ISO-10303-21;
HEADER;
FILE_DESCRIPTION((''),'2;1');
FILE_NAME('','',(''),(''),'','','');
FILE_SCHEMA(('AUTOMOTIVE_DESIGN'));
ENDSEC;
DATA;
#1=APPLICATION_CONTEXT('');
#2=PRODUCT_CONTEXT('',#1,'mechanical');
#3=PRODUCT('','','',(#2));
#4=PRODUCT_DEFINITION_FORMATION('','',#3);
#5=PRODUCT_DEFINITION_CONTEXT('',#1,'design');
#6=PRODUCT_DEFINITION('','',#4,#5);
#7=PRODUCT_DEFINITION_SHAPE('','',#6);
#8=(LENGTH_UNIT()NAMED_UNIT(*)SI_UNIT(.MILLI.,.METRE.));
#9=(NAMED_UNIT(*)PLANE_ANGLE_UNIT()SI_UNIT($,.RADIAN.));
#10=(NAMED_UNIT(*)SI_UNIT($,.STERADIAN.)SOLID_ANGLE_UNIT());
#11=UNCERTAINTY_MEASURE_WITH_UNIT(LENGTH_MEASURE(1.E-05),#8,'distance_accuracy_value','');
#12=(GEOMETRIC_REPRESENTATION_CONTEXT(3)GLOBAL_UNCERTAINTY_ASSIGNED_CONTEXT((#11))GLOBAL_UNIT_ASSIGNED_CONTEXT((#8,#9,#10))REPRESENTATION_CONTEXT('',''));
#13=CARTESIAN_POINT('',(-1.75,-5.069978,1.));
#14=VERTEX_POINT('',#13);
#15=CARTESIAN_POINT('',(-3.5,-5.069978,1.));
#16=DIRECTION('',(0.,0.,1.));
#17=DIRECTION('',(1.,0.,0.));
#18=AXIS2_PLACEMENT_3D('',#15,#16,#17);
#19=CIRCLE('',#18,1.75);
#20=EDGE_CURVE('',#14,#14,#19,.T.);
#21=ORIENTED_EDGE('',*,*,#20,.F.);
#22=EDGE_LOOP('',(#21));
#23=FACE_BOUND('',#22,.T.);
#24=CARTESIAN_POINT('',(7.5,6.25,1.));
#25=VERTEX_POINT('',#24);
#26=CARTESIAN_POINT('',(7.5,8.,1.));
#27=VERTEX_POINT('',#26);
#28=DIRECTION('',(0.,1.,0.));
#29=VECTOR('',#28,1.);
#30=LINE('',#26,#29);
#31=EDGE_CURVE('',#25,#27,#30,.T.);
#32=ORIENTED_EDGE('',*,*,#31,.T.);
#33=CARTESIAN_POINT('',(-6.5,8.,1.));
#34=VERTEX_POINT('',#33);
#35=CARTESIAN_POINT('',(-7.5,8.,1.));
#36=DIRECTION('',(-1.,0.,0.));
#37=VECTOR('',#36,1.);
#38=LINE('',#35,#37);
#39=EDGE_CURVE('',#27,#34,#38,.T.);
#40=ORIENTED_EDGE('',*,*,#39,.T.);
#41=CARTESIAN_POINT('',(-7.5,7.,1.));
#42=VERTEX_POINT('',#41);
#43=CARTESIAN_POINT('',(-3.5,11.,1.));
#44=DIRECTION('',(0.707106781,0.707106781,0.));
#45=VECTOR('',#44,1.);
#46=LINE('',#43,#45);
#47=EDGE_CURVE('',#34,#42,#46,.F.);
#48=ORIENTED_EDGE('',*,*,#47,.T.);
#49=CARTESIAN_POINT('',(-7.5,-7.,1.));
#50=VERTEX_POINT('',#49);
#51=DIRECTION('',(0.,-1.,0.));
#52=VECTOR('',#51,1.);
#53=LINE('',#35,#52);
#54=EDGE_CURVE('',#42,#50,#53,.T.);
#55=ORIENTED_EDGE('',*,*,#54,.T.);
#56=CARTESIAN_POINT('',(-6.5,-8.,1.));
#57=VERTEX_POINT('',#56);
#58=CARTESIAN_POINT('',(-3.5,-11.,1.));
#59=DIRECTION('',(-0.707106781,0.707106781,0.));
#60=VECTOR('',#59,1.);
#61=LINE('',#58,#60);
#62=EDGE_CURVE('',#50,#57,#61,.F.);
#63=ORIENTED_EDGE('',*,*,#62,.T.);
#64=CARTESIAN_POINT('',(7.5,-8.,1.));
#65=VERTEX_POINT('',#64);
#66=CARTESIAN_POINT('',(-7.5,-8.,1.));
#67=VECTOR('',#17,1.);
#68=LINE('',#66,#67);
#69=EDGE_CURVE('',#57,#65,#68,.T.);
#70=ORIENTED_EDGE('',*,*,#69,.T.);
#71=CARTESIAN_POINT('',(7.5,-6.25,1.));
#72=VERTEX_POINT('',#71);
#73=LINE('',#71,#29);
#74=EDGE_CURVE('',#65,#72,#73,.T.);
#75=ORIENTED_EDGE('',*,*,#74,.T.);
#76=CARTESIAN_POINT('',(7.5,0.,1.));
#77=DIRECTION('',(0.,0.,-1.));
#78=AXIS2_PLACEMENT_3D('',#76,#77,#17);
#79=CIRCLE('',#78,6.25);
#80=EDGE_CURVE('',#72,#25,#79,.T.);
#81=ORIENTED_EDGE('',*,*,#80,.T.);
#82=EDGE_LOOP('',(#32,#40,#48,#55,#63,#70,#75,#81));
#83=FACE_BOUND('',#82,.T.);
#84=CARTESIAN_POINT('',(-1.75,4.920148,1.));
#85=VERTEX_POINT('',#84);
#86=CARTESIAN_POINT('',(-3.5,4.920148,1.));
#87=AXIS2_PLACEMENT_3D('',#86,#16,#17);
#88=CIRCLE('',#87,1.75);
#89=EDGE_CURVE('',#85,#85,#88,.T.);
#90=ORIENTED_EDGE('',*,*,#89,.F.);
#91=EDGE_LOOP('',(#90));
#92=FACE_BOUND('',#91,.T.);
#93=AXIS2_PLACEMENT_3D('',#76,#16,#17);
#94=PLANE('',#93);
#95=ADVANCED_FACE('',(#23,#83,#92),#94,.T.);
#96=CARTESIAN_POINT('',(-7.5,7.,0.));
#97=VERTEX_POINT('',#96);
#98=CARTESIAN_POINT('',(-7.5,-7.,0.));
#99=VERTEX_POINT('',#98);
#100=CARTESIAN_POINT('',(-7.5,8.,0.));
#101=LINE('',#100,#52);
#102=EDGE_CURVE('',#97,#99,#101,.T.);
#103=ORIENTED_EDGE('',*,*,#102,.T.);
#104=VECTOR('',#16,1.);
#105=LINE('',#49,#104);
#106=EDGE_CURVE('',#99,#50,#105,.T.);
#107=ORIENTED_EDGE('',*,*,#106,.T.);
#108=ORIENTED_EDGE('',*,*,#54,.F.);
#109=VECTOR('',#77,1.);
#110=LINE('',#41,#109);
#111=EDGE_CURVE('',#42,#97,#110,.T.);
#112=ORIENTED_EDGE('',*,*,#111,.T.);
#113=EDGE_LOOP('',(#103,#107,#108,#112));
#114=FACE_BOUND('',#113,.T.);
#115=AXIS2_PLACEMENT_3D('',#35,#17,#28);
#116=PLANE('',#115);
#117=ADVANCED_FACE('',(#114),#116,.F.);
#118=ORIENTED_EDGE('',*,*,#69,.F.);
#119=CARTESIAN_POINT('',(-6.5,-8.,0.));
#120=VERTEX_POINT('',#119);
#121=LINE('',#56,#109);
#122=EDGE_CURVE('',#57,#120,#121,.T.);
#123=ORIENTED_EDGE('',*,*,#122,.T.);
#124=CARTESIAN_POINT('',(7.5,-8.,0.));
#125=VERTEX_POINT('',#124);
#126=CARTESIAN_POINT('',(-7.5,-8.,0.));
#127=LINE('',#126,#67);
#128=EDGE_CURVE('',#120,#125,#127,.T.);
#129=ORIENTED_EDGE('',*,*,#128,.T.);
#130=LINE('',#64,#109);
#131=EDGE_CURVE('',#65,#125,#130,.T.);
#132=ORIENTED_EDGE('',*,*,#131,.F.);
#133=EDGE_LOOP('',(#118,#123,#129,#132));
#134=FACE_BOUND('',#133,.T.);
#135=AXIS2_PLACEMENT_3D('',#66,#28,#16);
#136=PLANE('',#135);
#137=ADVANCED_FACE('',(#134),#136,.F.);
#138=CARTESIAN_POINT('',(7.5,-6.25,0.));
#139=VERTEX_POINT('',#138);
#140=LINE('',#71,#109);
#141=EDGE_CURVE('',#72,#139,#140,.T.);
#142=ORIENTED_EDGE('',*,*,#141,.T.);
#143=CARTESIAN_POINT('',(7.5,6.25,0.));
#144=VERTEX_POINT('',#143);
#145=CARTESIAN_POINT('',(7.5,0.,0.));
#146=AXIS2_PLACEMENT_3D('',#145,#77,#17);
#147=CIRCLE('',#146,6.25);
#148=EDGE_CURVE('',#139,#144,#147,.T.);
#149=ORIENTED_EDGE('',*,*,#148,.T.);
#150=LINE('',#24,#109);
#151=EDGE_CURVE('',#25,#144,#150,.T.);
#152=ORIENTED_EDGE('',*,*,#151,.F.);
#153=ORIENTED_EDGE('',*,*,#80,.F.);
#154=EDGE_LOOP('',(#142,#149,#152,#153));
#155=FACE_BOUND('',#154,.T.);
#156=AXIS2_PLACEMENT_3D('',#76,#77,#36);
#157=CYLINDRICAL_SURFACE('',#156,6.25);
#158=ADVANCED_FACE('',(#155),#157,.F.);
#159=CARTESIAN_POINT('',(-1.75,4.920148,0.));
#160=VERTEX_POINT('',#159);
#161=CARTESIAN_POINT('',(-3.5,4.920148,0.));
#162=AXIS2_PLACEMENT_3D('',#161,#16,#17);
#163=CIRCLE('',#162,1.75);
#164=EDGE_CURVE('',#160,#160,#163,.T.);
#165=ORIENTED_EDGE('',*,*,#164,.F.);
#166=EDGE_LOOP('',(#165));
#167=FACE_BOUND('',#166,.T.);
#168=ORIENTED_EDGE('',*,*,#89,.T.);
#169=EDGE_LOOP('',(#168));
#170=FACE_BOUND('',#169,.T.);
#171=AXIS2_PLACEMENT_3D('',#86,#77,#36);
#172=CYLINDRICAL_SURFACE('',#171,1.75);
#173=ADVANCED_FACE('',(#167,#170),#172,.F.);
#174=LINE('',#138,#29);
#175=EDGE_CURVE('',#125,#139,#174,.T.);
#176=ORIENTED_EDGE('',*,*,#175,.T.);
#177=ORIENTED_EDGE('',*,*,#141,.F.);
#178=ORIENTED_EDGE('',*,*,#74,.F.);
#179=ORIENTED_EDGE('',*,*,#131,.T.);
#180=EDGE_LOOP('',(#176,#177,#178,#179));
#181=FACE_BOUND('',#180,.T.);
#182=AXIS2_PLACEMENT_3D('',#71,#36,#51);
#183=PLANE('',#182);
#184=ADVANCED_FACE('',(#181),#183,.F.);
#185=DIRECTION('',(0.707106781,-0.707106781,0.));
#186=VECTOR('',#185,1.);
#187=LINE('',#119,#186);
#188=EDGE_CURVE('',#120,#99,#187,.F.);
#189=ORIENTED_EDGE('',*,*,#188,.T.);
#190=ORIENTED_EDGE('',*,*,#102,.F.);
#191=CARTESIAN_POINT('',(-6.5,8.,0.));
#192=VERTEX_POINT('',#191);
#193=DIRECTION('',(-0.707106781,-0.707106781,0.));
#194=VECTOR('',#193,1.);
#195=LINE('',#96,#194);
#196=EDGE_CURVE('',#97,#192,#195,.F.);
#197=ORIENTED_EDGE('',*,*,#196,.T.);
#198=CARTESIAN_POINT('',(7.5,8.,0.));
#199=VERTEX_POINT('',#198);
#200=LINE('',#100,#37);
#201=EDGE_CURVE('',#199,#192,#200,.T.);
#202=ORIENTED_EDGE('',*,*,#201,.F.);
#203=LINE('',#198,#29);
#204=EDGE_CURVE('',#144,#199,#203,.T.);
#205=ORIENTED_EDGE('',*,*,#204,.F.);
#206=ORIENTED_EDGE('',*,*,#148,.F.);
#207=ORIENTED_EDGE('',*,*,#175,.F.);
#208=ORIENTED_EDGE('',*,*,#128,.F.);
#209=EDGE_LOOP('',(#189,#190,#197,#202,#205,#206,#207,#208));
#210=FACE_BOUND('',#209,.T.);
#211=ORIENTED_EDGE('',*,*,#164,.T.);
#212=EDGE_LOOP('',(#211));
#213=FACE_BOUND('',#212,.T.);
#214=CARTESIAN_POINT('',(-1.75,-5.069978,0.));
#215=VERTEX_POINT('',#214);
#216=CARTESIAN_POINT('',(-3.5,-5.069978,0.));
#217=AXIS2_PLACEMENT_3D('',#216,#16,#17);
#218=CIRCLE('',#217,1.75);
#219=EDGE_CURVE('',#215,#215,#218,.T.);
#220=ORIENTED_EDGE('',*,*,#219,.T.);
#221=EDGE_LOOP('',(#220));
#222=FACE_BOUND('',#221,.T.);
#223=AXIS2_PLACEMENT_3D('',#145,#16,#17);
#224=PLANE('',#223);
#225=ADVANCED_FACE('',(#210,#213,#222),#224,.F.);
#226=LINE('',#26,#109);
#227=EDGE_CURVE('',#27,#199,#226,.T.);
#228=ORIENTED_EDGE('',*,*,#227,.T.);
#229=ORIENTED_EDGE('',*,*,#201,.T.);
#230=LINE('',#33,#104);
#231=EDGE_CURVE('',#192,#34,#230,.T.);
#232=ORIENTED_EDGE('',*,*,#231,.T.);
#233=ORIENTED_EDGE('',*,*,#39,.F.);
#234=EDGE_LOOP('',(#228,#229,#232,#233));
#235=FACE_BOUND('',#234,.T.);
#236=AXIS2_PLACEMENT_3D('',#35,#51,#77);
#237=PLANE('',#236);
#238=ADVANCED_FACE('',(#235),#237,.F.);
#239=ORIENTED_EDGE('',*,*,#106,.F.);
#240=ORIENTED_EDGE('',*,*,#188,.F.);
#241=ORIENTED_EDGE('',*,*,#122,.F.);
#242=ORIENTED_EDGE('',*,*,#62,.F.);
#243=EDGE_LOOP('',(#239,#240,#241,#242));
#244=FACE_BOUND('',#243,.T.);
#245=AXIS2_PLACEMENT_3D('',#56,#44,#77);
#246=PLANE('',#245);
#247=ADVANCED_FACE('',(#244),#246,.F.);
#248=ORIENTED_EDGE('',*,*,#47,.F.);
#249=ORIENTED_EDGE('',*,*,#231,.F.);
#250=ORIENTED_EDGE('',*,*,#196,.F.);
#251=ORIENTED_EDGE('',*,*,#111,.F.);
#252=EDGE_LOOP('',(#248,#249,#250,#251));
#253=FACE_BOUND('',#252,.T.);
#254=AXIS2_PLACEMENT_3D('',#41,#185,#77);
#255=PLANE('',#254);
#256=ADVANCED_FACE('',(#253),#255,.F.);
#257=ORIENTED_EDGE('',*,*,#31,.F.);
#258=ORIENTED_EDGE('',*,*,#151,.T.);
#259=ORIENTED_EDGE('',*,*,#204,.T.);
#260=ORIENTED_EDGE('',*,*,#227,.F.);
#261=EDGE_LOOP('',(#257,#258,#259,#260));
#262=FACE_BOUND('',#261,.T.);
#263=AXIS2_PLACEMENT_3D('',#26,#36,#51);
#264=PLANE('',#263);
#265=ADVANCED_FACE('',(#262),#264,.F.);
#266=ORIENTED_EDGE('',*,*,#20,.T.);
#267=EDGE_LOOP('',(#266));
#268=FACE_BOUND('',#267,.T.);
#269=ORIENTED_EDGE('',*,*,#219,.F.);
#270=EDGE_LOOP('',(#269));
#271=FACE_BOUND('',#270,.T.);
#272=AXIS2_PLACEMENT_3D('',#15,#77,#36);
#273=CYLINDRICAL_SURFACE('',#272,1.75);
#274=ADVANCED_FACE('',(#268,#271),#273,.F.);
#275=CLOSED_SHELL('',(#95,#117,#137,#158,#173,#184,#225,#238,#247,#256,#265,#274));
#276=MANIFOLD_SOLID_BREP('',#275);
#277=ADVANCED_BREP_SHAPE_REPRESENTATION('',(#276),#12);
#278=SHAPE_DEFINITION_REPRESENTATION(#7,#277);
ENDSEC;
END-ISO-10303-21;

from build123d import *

# Parameters (mm, degrees)
SKETCH1_R           = 1.75
BOSS_EXTRUDE1_DEPTH = 1
CHAMFER1_SIZE       = 1


with BuildPart() as part:
    # Sketch1 → Boss-Extrude1 (new body)
    with BuildSketch(Plane.XY):
        with BuildLine():
            Line((7.5, -6.25), (7.5, -8))
            Line((7.5, -8), (-7.5, -8))
            Line((-7.5, -8), (-7.5, 8))
            Line((-7.5, 8), (7.5, 8))
            Line((7.5, 8), (7.5, 6.25))
            ThreePointArc((7.5, 6.25), (1.25, 0), (7.5, -6.25))
        make_face()
        with Locations((-3.5, 4.920147805)):
            Circle(SKETCH1_R, mode=Mode.SUBTRACT)
        with Locations((-3.5, -5.069977671)):
            Circle(SKETCH1_R, mode=Mode.SUBTRACT)
    extrude(amount=BOSS_EXTRUDE1_DEPTH)

    # Chamfer1
    chamfer1_edges = [part.edges().sort_by_distance(p)[0] for p in [
        (-7.5, -8, 0.5),
        (-7.5, 8, 0.5),
    ]]
    chamfer(chamfer1_edges, length=CHAMFER1_SIZE)


solid = part.part
